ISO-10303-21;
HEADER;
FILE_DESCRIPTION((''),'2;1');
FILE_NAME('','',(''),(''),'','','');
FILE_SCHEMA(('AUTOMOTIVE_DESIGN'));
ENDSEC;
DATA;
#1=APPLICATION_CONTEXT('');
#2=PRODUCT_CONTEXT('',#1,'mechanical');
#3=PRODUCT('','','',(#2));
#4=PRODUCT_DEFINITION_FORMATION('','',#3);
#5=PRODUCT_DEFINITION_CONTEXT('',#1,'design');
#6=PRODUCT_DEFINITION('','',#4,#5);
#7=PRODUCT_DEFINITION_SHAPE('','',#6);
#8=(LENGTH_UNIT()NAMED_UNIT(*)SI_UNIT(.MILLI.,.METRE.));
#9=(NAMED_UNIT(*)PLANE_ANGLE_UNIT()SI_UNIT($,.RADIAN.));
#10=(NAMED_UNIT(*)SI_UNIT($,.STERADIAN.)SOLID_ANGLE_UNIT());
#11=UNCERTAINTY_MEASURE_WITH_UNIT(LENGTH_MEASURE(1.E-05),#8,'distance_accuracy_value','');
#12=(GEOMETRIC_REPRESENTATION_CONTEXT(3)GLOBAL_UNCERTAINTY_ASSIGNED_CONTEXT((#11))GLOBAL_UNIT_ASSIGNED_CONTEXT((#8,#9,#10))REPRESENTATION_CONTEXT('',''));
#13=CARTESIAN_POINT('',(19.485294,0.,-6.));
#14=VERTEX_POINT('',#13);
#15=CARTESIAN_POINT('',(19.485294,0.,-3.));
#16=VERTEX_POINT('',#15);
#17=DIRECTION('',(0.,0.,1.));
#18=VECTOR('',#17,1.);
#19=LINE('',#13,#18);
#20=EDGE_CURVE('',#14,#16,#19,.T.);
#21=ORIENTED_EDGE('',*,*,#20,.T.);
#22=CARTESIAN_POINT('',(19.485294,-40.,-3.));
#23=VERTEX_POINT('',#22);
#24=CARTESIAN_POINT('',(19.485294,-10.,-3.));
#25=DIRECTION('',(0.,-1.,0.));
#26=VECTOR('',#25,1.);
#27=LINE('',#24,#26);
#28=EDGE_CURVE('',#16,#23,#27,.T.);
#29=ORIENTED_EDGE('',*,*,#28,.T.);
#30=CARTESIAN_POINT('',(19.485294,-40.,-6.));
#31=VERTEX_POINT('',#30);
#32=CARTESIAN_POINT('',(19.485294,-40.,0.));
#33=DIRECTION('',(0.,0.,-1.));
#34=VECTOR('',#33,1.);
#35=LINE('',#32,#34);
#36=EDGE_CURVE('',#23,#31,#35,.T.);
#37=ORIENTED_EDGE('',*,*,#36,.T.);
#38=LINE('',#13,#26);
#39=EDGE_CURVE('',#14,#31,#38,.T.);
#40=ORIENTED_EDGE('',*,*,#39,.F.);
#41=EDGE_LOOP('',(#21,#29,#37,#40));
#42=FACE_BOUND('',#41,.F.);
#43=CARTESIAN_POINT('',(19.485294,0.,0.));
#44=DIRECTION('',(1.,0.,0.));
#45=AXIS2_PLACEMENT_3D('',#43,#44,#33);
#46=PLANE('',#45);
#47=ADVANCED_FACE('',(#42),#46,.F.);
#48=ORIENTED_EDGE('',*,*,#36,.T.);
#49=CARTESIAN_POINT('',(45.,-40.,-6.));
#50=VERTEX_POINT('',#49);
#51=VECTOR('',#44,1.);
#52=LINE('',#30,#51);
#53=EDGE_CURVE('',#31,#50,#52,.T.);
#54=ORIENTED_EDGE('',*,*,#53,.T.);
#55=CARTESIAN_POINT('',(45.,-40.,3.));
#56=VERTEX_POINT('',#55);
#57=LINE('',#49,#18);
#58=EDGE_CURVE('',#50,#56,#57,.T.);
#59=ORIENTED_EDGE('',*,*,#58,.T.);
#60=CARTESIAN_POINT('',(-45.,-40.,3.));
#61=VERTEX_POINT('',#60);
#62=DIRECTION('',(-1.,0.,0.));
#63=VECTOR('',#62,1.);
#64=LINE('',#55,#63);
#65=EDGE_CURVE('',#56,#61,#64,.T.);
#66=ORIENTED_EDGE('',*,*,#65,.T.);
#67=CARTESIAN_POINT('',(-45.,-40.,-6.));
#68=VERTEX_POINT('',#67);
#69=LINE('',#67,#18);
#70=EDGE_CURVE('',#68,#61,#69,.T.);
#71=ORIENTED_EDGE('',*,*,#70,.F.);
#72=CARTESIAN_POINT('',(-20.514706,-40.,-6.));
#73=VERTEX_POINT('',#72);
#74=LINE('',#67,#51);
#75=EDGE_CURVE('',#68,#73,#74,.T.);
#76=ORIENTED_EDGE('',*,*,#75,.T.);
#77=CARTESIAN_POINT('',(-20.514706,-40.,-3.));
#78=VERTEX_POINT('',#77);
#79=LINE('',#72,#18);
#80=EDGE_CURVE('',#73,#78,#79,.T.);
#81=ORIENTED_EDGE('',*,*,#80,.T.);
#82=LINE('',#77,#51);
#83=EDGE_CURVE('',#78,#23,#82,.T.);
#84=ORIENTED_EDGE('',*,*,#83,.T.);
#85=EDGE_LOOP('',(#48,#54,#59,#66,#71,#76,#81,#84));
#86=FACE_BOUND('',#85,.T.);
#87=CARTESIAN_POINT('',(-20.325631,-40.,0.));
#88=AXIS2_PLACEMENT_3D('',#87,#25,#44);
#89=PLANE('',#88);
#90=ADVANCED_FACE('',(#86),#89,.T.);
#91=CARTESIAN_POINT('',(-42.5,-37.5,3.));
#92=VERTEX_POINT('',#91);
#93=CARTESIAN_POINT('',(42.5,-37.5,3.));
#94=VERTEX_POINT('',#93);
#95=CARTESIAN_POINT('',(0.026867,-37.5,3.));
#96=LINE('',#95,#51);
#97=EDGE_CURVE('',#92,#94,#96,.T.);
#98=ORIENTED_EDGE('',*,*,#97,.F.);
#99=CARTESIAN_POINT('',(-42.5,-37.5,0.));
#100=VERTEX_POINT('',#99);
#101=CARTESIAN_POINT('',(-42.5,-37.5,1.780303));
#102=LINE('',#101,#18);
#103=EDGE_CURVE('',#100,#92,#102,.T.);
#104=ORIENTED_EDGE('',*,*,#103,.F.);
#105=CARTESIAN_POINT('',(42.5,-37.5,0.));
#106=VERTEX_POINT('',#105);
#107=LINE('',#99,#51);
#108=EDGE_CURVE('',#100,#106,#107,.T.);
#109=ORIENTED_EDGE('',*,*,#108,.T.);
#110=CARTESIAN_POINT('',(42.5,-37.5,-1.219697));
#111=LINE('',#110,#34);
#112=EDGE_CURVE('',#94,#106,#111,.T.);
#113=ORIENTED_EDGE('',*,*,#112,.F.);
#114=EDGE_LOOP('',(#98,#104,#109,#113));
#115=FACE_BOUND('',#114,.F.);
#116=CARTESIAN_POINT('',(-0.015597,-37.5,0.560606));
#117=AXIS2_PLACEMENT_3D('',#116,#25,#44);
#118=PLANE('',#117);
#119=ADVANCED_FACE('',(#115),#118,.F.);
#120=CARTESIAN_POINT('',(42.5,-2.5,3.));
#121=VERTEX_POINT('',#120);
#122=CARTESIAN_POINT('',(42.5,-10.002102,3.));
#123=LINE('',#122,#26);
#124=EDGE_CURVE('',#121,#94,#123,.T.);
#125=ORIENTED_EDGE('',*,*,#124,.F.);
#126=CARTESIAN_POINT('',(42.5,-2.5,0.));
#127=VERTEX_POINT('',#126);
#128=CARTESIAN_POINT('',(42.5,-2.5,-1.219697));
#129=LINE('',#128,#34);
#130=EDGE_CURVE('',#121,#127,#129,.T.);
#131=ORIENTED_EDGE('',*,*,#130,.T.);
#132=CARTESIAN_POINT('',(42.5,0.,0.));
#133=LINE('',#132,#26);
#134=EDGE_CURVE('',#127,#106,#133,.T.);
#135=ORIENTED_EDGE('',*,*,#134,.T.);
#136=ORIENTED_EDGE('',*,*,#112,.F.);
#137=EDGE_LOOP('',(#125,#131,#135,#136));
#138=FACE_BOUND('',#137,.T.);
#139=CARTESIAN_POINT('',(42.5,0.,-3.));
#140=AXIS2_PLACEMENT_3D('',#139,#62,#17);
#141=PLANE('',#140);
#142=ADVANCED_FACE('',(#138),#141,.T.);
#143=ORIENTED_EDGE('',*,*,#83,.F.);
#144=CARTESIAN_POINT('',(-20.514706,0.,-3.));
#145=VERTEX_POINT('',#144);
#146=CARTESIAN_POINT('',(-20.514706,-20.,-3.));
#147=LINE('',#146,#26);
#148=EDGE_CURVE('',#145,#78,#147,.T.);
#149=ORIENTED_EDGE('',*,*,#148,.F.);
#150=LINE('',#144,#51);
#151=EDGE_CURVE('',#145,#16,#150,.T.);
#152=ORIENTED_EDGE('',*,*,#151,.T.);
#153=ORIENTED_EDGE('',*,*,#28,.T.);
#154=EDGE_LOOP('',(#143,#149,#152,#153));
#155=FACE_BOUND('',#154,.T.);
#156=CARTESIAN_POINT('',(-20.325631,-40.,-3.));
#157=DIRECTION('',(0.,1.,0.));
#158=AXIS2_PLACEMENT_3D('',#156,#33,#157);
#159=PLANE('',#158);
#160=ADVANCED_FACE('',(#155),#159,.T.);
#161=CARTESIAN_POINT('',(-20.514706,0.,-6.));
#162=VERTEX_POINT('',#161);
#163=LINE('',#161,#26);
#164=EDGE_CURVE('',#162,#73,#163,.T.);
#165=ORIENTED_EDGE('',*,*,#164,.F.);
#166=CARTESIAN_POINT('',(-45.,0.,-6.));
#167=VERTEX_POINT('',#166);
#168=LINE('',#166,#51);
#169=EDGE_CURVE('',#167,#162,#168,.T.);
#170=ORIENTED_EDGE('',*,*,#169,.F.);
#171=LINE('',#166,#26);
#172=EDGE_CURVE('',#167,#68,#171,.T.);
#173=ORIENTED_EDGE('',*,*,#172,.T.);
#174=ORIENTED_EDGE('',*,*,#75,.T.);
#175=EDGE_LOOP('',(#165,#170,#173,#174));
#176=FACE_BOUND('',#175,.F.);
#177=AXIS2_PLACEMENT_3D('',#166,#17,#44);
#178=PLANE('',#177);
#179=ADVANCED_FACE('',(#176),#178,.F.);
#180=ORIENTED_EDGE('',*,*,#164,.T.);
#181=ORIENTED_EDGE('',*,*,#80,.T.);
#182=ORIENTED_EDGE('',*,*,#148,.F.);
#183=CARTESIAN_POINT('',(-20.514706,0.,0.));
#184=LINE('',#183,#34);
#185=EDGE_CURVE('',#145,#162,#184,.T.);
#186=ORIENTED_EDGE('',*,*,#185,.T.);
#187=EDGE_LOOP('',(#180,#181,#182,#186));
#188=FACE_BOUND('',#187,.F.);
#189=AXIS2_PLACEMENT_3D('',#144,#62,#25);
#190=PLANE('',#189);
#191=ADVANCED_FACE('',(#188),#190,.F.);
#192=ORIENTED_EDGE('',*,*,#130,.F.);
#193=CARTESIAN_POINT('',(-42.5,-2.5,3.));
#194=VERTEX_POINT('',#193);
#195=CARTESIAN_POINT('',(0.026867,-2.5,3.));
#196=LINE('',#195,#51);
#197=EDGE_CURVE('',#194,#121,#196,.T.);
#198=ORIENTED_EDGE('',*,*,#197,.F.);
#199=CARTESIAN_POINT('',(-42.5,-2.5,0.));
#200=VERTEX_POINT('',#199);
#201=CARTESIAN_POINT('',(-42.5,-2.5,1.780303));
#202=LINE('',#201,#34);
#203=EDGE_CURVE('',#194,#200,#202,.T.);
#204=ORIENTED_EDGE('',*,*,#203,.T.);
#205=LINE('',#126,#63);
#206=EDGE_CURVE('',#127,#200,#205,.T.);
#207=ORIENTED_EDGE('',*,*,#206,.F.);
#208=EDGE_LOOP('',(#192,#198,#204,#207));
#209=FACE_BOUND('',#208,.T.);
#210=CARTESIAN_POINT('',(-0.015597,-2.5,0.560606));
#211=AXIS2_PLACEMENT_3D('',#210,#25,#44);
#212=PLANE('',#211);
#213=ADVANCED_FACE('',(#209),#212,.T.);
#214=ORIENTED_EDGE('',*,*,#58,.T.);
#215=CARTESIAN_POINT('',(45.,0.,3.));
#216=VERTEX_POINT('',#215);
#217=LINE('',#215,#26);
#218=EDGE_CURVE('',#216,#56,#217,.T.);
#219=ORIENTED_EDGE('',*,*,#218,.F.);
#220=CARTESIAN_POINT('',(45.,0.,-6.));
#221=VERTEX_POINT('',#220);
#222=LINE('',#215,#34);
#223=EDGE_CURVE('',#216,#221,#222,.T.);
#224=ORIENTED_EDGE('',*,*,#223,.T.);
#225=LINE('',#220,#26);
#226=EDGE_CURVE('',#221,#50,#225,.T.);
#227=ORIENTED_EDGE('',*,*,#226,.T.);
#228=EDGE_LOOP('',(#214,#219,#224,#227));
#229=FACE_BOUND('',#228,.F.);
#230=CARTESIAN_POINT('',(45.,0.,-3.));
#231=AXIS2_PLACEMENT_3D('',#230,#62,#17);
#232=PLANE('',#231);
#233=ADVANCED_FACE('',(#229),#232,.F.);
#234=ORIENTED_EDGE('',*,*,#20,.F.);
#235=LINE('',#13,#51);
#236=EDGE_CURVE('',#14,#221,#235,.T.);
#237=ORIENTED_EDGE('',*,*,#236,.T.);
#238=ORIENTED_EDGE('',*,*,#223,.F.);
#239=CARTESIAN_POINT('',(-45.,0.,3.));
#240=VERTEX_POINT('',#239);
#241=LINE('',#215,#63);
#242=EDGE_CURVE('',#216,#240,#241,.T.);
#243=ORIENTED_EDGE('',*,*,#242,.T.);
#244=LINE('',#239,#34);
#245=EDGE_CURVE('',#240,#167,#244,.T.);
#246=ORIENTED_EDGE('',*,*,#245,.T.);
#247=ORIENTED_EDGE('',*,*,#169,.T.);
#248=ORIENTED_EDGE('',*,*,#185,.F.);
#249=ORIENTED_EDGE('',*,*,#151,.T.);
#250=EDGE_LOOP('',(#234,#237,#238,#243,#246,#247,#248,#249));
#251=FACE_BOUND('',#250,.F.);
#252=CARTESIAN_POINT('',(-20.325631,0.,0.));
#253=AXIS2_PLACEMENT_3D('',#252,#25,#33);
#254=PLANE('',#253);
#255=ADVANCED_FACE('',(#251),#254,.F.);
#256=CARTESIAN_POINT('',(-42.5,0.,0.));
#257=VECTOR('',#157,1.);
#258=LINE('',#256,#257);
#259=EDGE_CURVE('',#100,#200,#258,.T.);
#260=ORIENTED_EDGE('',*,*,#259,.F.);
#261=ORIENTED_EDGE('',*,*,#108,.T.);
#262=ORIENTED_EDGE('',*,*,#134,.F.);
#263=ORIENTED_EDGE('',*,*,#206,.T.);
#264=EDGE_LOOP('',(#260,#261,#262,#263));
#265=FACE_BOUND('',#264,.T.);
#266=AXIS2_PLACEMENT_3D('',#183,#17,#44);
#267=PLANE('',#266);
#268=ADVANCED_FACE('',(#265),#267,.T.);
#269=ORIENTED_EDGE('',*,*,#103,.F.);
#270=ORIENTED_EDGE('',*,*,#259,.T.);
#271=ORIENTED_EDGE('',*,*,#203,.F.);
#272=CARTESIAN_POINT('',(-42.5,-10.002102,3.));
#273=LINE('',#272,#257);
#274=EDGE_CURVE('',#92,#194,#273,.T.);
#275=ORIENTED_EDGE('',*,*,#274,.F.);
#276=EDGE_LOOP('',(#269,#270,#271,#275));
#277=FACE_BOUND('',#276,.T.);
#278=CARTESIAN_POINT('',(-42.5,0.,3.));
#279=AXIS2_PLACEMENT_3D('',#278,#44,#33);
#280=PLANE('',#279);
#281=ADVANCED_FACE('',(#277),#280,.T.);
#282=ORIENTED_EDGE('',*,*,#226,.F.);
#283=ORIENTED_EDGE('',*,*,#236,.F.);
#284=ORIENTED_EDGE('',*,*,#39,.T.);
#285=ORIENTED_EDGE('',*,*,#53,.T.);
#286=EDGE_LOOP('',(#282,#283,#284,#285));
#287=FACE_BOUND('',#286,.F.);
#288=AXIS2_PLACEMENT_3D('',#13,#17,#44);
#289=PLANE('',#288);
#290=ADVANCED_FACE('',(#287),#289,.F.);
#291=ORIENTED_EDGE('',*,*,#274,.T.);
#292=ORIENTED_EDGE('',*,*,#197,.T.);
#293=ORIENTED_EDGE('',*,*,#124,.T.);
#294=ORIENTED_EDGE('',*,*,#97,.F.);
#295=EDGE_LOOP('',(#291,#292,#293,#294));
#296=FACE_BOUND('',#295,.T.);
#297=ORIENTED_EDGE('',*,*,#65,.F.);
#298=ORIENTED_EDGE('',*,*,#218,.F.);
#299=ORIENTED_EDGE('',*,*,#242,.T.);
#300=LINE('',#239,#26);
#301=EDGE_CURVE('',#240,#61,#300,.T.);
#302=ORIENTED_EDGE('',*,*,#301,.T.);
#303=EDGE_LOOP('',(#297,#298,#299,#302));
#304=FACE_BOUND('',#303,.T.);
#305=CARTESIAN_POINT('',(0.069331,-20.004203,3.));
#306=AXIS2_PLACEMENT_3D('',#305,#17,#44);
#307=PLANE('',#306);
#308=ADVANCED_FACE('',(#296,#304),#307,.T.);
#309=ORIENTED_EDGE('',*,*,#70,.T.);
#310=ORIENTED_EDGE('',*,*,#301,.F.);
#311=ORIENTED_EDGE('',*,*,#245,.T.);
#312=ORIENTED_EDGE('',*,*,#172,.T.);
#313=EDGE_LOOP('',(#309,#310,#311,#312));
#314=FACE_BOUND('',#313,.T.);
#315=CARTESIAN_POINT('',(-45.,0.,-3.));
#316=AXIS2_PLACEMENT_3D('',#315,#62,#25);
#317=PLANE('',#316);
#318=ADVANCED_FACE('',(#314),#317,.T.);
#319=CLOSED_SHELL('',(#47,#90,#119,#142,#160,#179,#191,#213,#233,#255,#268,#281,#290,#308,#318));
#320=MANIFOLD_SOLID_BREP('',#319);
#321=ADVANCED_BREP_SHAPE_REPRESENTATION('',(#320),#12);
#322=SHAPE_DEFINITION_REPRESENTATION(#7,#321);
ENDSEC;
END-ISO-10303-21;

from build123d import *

# Parameters (mm, degrees)
F1_DEPTH  = 40
F2_W      = 84
F2_H      = 36
F3_DEPTH  = 3
F4_T      = -2.5
F5_DEPTH  = 3
F7_DEPTH  = 3
F6_W      = 40
F6_H      = 40
F8_DEPTH  = 3
F9_DEPTH  = 0.2
F10_DEPTH = 0.5


with BuildPart() as f1:
    # F0 (on Front) → F1 (new body)
    with BuildSketch(Plane.XZ):
        Polygon((45, -3), (45, 3), (-45, 3), (-45, -3), (-20.5147061497, -3), (-20.5147061497, 0), (19.4852938503, 0), (19.4852938503, -3), align=None)
    extrude(amount=F1_DEPTH)

    # F2 (on face) → F3 (join)
    with BuildSketch(Plane.XY.offset(3)):
        with Locations((0.0693308115, -20.004203001)):
            Rectangle(F2_W, F2_H)
    extrude(amount=-F3_DEPTH)

    # F4
    f4_openings = [f1.faces().sort_by_distance(p)[0] for p in [
        (0, -20, 3),
    ]]
    offset(amount=F4_T, openings=f4_openings, kind=Kind.INTERSECTION)

    # F5 (cut): a face of the model
    f5_faces = [f1.faces().sort_by_distance(p)[0] for p in [
        (-0.5147061497, -20, 2.5),
    ]]
    extrude(f5_faces, amount=-F5_DEPTH, mode=Mode.SUBTRACT)

    # F7 (add): faces of the model
    f7_faces = [f1.faces().sort_by_distance(p)[0] for p in [
        (-32.7573530748, -20, -3),
        (32.2426469252, -20, -3),
    ]]
    extrude(f7_faces, amount=F7_DEPTH)

    # F6 (on Top) → F8 (join)
    with BuildSketch(Plane.XY):
        with Locations((-0.3256309032, -20)):
            Rectangle(F6_W, F6_H)
    extrude(amount=-F8_DEPTH)

    # F9 (add): a face of the model
    f9_faces = [f1.faces().sort_by_distance(p)[0] for p in [
        (-20.3256309032, -20, -1.5),
    ]]
    extrude(f9_faces, amount=F9_DEPTH)

    # F10 (add): faces of the model
    f10_faces = [f1.faces().sort_by_distance(p)[0] for p in [
        (-31.5128154516, -20, -0.5),
        (31.0871845484, -20, -0.5),
    ]]
    extrude(f10_faces, amount=F10_DEPTH)


solid = f1.part
